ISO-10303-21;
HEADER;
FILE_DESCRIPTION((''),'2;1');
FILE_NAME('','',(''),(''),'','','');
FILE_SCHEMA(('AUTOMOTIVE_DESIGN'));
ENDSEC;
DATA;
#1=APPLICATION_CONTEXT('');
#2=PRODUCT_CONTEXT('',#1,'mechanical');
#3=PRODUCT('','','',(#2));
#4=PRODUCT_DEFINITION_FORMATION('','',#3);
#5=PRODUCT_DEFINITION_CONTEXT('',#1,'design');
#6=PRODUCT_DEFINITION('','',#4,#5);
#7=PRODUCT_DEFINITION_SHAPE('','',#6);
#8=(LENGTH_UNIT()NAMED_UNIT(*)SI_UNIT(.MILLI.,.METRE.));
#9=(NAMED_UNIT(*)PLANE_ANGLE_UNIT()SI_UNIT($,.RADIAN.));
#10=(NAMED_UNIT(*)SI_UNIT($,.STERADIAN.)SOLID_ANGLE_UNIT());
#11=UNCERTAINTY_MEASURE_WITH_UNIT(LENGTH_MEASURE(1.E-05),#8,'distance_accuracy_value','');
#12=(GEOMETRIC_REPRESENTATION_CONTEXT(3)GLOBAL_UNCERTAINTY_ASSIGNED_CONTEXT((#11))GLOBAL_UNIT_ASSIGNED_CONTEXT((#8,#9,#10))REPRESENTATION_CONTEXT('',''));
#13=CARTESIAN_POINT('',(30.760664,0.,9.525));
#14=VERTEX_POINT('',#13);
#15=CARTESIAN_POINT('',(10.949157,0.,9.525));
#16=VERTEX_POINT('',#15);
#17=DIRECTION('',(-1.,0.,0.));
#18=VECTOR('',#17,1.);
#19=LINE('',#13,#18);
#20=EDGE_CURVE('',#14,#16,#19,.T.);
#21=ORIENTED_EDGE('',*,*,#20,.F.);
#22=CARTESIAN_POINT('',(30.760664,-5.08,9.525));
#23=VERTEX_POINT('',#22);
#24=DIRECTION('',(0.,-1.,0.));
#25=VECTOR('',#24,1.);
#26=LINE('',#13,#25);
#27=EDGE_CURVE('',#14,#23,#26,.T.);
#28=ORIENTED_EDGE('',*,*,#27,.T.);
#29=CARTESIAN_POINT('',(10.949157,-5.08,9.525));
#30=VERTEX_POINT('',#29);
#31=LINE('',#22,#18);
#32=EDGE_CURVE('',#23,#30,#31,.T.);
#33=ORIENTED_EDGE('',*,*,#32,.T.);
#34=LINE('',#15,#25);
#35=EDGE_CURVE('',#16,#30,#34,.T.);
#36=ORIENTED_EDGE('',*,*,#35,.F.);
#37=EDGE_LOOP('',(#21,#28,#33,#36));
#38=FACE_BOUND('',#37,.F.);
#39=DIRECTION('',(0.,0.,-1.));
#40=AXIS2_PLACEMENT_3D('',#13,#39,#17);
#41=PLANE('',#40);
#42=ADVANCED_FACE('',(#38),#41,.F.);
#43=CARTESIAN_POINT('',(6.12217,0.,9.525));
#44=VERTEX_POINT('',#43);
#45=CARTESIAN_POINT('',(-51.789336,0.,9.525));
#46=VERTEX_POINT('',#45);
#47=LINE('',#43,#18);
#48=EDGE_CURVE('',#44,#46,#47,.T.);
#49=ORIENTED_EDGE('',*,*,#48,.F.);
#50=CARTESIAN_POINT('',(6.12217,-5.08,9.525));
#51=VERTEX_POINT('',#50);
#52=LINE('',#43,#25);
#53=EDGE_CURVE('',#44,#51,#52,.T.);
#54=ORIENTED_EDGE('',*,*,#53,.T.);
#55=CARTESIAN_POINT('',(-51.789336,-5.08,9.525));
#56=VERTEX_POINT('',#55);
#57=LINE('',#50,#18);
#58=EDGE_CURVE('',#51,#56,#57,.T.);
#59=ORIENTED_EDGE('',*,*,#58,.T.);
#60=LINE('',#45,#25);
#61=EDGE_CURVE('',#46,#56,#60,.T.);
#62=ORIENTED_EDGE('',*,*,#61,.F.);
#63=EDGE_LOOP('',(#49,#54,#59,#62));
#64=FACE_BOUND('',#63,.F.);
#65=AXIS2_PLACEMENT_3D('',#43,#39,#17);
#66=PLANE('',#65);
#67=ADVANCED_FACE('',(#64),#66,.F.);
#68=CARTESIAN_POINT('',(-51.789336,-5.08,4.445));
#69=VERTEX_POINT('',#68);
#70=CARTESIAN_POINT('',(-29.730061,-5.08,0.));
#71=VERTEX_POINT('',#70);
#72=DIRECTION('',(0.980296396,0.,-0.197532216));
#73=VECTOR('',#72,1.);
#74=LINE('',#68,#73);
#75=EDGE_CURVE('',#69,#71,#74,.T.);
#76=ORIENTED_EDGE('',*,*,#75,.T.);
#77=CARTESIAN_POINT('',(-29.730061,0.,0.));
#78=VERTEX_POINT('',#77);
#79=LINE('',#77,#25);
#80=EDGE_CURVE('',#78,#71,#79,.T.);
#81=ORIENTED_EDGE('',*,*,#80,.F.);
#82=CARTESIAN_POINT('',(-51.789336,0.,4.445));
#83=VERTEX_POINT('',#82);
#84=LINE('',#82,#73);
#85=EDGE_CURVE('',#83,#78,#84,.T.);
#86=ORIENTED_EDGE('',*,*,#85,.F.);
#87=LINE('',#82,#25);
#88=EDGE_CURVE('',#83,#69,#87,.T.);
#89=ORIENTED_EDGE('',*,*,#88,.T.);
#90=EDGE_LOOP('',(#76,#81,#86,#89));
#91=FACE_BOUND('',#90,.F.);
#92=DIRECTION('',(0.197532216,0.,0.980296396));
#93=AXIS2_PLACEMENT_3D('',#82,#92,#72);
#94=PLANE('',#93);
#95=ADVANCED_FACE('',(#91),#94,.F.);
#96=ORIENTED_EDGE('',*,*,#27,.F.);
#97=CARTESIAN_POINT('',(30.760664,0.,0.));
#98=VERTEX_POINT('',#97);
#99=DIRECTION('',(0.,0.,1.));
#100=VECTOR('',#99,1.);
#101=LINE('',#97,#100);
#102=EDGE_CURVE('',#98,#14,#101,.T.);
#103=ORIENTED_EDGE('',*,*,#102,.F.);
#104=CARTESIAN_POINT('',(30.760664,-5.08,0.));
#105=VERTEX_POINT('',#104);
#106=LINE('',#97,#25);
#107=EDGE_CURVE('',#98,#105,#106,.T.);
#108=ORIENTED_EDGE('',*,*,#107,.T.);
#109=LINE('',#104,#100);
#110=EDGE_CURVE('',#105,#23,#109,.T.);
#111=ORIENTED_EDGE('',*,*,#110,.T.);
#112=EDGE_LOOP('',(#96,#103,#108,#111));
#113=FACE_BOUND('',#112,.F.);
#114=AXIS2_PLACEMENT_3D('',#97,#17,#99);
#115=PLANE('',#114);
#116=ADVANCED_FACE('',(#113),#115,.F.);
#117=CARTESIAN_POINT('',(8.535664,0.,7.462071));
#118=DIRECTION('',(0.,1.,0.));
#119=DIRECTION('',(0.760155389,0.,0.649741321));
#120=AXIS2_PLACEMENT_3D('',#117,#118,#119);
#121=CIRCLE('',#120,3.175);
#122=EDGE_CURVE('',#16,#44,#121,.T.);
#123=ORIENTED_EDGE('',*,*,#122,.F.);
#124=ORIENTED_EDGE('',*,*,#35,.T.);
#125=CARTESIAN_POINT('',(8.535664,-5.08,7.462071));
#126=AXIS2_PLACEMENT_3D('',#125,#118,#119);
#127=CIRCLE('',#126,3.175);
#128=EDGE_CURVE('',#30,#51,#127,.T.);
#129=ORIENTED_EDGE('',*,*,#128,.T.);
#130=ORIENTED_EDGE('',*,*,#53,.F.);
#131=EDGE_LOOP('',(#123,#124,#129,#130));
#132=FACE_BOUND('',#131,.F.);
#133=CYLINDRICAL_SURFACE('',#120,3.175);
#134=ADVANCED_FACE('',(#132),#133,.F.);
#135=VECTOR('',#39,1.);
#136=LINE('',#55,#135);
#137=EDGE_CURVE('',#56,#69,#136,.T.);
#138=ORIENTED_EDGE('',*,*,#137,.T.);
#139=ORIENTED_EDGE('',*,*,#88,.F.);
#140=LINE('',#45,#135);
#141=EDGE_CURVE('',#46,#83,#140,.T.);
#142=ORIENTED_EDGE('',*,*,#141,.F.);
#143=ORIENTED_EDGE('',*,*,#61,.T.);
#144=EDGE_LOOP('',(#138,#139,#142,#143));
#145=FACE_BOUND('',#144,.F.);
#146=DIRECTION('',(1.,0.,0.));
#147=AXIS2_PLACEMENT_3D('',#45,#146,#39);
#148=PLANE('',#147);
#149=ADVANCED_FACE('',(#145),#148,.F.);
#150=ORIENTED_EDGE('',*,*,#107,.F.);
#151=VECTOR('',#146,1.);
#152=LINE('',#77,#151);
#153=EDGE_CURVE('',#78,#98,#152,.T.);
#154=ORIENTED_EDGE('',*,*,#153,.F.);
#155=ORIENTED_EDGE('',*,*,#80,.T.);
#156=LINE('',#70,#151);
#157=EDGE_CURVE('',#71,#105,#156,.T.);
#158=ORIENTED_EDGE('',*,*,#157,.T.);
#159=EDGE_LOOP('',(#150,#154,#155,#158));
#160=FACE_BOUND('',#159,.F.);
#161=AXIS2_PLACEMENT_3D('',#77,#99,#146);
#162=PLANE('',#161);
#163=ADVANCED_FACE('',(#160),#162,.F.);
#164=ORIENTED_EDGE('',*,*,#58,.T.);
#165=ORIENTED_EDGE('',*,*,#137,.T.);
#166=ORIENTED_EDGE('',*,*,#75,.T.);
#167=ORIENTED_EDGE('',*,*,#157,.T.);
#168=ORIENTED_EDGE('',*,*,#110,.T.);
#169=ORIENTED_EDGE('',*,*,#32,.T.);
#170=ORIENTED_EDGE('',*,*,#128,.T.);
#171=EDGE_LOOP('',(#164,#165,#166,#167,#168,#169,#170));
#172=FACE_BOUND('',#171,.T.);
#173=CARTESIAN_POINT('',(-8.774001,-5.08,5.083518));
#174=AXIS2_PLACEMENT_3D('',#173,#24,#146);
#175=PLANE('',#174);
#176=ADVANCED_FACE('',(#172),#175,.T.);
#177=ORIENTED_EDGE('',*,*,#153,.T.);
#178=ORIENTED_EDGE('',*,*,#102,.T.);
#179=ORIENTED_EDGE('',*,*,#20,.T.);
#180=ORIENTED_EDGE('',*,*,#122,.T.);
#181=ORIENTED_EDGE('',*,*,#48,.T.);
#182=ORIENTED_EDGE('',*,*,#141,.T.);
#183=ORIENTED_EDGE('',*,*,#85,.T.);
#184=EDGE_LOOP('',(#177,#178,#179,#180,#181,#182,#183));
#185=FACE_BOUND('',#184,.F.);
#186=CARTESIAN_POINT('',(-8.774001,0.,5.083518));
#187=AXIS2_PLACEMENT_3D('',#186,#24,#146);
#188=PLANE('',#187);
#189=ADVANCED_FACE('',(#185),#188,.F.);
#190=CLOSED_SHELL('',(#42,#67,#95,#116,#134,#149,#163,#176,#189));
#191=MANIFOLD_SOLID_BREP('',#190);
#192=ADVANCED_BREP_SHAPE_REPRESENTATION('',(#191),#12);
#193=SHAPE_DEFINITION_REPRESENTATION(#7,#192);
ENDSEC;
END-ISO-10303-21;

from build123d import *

# Parameters (mm, degrees)
F1_DEPTH = 5.08


with BuildPart() as f1:
    # F0 (on Front) → F1 (new body)
    with BuildSketch(Plane.XZ):
        with BuildLine():
            Line((2.185664, 9.525), (-51.789336, 9.525))
            Line((-51.789336, 9.525), (-51.789336, 4.445))
            Line((-51.789336, 4.445), (-29.730061, 0))
            Line((-29.730061, 0), (30.760664, 0))
            Line((30.760664, 0), (30.760664, 9.525))
            Line((30.760664, 9.525), (14.885664, 9.525))
            Line((14.885664, 9.525), (10.949157, 9.525))
            ThreePointArc((10.949157, 9.525), (8.535664, 4.287071), (6.12217, 9.525))
            Line((6.12217, 9.525), (2.350735, 9.525))
            Line((2.350735, 9.525), (2.185664, 9.525))
        make_face()
    extrude(amount=F1_DEPTH)


solid = f1.part
